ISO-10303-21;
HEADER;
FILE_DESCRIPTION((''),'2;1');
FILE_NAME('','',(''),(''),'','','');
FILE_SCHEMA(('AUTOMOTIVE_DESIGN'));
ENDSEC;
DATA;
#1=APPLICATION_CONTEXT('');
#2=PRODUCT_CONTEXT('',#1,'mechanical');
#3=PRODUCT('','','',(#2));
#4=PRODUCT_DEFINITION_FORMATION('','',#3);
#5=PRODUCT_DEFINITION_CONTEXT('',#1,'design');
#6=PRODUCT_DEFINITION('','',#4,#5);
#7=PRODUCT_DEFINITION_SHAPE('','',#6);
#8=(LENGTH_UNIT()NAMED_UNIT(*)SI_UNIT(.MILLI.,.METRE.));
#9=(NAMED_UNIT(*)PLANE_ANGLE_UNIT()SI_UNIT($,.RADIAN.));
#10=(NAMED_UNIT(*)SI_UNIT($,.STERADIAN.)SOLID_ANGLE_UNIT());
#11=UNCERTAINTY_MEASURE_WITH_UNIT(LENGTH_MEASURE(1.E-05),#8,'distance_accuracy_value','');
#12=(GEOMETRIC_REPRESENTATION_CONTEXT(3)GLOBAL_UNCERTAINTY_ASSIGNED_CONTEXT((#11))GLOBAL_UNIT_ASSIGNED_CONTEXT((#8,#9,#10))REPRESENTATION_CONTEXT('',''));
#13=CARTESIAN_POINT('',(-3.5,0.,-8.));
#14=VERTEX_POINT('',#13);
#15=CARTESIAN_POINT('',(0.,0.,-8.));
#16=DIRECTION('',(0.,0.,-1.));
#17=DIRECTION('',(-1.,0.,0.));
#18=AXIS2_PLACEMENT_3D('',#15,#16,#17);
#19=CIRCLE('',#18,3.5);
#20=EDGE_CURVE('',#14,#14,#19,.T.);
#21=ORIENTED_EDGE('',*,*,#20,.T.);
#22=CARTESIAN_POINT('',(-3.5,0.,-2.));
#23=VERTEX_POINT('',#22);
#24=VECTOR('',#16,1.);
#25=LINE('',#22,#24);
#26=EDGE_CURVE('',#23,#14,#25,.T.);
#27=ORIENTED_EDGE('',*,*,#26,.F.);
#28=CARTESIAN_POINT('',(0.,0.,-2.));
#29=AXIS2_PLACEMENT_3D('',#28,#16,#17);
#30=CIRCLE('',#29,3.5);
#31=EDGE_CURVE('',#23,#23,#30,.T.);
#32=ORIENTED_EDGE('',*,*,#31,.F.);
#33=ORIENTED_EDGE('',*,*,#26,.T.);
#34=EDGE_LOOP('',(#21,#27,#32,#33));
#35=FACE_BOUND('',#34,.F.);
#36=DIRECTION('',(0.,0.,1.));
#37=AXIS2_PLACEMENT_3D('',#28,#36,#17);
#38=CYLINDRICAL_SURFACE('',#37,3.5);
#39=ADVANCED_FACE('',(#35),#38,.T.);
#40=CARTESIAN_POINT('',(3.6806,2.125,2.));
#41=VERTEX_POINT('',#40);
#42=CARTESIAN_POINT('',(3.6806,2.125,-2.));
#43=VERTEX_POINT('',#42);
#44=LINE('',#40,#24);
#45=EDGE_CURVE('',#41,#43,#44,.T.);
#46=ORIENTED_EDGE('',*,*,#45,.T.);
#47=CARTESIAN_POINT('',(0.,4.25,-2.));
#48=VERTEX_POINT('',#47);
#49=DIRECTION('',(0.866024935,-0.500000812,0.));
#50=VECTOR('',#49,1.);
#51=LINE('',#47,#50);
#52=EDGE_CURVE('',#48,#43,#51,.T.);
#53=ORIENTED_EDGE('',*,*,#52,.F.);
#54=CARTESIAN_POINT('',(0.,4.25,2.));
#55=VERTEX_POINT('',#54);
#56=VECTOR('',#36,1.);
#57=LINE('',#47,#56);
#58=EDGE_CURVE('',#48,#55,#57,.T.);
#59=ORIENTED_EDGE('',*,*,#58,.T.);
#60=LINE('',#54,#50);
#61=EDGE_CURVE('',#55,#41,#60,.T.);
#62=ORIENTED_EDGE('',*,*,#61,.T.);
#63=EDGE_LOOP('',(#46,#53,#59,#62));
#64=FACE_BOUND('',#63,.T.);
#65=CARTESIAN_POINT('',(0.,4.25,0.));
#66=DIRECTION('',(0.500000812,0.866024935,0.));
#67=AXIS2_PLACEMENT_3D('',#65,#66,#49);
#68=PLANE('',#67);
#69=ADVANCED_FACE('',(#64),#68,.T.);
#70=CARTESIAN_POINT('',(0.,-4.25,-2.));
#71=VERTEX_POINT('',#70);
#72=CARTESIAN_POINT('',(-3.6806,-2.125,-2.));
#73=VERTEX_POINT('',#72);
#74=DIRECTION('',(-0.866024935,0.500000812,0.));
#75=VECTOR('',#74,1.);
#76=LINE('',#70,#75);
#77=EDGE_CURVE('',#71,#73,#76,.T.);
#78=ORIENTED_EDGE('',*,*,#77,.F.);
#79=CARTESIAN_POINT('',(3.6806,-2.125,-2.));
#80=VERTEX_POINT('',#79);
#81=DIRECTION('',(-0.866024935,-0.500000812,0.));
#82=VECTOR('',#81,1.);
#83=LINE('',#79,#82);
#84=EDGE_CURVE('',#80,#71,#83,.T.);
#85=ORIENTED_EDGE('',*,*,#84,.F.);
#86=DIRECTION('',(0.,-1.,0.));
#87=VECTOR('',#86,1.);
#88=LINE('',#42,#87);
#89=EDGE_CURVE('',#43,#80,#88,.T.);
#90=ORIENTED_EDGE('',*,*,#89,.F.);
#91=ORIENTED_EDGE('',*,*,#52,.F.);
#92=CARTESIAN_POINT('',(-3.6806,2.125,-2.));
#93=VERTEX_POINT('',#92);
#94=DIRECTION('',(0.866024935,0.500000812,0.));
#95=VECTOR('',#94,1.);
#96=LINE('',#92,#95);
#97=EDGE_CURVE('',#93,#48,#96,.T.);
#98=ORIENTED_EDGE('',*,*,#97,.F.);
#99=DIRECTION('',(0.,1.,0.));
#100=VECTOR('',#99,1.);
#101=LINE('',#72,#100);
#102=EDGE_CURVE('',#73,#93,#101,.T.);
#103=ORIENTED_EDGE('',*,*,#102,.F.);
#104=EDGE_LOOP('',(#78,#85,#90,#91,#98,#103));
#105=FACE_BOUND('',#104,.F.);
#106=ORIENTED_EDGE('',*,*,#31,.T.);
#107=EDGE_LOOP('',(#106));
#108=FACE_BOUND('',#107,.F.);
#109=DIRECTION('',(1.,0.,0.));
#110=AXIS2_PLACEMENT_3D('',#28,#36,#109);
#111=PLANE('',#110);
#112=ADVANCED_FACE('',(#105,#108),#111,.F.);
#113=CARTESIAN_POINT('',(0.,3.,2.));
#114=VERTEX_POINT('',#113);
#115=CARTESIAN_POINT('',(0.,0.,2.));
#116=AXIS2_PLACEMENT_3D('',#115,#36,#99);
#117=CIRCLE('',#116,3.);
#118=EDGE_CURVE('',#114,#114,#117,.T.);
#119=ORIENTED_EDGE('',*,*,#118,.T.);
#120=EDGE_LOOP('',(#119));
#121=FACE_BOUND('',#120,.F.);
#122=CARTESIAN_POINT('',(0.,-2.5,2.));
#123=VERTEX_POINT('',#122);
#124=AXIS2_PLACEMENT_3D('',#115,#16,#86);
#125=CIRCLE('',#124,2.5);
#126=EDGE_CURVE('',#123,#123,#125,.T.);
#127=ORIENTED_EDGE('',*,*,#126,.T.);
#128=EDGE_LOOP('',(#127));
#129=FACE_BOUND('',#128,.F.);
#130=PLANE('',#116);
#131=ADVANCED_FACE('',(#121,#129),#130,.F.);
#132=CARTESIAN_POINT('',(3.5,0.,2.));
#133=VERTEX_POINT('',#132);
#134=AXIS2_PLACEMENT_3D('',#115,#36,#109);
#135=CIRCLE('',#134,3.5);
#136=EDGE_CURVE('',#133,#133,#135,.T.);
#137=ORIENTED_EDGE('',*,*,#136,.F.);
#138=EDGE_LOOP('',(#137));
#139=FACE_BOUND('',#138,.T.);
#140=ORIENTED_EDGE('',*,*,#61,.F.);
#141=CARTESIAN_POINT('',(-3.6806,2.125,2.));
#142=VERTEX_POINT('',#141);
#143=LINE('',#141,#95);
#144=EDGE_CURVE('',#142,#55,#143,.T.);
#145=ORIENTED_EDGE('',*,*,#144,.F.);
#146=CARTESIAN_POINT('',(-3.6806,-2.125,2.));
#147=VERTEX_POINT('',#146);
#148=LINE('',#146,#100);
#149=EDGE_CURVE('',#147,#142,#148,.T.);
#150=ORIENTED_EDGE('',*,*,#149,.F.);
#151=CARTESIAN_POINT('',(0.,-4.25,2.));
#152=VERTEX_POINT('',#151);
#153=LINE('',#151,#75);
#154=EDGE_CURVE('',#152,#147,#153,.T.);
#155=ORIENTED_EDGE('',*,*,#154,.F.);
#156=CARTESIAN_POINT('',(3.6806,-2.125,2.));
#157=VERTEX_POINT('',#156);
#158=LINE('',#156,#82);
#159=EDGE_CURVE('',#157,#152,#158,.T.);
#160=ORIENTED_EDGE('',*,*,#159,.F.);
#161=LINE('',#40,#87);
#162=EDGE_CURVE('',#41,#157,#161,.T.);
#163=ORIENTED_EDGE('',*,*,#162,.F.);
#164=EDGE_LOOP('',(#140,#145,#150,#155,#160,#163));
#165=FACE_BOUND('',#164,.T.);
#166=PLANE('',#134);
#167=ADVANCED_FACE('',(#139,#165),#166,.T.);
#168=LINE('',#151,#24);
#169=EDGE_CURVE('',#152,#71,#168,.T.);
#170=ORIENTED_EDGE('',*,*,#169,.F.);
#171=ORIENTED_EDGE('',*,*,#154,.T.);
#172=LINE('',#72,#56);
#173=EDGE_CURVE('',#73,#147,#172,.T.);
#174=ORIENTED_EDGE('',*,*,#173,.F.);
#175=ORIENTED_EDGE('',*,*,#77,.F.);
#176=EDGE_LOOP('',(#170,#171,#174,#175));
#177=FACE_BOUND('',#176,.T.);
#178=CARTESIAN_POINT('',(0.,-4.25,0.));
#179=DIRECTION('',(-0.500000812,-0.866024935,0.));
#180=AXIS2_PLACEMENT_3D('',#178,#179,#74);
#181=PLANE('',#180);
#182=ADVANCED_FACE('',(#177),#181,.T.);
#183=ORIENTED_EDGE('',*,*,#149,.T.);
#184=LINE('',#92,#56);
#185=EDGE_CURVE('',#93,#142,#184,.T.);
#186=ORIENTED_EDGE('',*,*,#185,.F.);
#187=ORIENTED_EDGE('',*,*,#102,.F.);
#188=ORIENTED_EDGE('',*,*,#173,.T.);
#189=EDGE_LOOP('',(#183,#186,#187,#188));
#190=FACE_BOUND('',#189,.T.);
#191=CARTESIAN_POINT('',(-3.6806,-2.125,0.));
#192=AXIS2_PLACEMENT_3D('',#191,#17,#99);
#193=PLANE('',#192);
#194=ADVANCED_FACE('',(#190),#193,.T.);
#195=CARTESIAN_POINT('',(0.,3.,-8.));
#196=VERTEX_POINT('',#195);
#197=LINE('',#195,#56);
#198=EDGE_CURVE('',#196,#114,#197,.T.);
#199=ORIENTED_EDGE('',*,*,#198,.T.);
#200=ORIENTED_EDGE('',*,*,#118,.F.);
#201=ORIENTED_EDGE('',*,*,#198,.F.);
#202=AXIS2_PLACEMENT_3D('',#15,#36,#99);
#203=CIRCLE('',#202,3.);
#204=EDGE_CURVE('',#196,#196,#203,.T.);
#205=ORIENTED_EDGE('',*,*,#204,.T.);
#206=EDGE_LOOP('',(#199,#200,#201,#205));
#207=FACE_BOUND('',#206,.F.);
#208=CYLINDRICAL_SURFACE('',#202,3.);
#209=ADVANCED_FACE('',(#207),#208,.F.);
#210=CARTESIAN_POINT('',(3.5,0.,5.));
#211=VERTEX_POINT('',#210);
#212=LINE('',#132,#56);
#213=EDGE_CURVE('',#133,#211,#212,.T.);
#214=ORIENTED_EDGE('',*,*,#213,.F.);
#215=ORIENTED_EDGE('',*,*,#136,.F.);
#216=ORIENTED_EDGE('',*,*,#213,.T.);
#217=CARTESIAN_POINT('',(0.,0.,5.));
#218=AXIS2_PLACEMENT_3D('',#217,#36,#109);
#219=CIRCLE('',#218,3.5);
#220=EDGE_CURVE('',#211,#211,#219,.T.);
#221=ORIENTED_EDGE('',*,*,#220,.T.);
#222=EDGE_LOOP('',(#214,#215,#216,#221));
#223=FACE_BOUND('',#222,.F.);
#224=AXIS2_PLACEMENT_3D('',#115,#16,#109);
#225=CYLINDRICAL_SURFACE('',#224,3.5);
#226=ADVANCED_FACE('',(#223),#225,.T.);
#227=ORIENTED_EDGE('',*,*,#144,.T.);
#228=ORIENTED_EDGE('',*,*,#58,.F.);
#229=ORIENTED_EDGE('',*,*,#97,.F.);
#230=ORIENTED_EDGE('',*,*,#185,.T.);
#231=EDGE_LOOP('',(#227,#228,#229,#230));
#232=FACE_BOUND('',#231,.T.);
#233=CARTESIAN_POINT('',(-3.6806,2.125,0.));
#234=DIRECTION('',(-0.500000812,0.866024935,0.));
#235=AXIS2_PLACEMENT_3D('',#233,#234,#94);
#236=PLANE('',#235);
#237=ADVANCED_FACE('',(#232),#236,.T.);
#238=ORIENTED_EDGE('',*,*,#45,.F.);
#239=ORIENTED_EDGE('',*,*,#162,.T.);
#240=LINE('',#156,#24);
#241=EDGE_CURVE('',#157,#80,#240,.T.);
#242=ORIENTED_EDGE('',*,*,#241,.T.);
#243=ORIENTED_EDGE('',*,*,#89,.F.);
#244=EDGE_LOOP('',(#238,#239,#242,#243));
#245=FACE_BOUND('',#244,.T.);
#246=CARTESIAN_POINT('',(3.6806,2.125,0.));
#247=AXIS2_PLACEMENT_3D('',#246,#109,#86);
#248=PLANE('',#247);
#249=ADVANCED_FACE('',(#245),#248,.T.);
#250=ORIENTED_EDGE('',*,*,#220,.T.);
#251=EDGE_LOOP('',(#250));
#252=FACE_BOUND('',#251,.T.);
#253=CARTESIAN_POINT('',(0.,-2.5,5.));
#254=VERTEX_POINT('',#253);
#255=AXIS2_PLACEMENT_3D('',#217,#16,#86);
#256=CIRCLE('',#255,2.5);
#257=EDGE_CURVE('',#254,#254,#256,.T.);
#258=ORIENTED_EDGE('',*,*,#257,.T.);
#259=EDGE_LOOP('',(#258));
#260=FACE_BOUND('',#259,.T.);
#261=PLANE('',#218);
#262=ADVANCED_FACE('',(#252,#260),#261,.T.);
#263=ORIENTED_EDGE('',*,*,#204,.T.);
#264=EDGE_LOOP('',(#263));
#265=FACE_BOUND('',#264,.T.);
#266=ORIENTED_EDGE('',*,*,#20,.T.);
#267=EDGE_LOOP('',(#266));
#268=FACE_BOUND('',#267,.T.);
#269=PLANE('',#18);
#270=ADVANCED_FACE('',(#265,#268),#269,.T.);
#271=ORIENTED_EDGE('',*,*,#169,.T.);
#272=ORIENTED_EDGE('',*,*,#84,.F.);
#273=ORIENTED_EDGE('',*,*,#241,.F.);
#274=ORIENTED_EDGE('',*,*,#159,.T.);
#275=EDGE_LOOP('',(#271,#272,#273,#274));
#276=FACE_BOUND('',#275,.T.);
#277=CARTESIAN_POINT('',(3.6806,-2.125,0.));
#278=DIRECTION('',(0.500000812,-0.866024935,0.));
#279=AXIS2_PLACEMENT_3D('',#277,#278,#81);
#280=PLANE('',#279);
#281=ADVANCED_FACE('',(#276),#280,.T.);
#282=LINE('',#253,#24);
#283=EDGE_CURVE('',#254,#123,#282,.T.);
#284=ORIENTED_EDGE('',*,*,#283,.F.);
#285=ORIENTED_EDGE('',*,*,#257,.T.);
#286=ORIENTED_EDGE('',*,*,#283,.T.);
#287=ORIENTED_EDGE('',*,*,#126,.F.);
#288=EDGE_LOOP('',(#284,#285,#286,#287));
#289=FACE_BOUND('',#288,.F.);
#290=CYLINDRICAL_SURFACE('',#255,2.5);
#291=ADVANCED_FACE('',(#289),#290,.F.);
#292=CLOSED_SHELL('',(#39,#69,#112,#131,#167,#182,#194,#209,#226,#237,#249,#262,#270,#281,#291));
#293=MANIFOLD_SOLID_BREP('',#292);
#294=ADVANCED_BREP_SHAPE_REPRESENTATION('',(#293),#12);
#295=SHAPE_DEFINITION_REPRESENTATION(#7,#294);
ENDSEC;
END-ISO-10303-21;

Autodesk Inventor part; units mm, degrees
ref_plane "YZ Plane" through (0, 0, 0) normal (1, 0, 0) x (0, 1, 0)
ref_plane "XZ Plane" through (0, 0, 0) normal (0, 1, 0) x (-1, 0, 0)
ref_plane "XY Plane" through (0, 0, 0) normal (0, 0, 1) x (1, 0, 0)
sketch "Sketch2" plane through (0, 0, 0) normal (0, 0, 1) x (1, 0, 0)
  line L0 (0, 4.25) -> (3.6806, 2.125)
  line L1 (3.6806, 2.125) -> (3.6806, -2.125)
  line L2 (3.6806, -2.125) -> (0, -4.25)
  line L3 (0, -4.25) -> (-3.6806, -2.125)
  line L4 (-3.6806, -2.125) -> (-3.6806, 2.125)
  line L5 (-3.6806, 2.125) -> (0, 4.25)
  point P0 (0, 0)
  point P1 (0, 0)
  point P2 (-3.6806, 0)
  dimension "d0" = 8.5
extrude "Extrusion1" add sketch "Sketch2" along normal mid plane 4
sketch "Sketch3" plane through (0, 0, 2) normal (0, 0, 1) x (1, 0, 0)
  circle A0 centre (0, 0) radius 3.5
  dimension "d3" = 7
extrude "Extrusion2" add sketch "Sketch3" along normal blind 3
sketch "Sketch4" plane through (0, 0, -2) normal (0, 0, -1) x (-1, 0, 0)
  circle A0 centre (0, 0) radius 3.5
  dimension "d6" = 7
extrude "Extrusion3" add sketch "Sketch4" along normal blind 6
sketch "Sketch5" plane through (0, 0, 5) normal (0, 0, 1) x (1, 0, 0)
  circle A0 centre (0, 0) radius 3.5 projected
hole "Hole1" at (0, 0, 5) direction (0, 0, -1) diameter 5 depth 3
thread "Thread1" size "M7x1" class "6g" standard "ISO Metric profile" length 35.9
thread "Thread2" size "M7x1" class "6g" standard "ISO Metric profile" length 35.9
sketch "Sketch6" plane through (0, 0, -8) normal (0, 0, -1) x (-1, 0, 0)
  circle A0 centre (0, 0) radius 3.5 projected
hole "Hole2" at (0, 0, -8) direction (0, 0, 1) diameter 6 depth 10
properties part number "24.1"
